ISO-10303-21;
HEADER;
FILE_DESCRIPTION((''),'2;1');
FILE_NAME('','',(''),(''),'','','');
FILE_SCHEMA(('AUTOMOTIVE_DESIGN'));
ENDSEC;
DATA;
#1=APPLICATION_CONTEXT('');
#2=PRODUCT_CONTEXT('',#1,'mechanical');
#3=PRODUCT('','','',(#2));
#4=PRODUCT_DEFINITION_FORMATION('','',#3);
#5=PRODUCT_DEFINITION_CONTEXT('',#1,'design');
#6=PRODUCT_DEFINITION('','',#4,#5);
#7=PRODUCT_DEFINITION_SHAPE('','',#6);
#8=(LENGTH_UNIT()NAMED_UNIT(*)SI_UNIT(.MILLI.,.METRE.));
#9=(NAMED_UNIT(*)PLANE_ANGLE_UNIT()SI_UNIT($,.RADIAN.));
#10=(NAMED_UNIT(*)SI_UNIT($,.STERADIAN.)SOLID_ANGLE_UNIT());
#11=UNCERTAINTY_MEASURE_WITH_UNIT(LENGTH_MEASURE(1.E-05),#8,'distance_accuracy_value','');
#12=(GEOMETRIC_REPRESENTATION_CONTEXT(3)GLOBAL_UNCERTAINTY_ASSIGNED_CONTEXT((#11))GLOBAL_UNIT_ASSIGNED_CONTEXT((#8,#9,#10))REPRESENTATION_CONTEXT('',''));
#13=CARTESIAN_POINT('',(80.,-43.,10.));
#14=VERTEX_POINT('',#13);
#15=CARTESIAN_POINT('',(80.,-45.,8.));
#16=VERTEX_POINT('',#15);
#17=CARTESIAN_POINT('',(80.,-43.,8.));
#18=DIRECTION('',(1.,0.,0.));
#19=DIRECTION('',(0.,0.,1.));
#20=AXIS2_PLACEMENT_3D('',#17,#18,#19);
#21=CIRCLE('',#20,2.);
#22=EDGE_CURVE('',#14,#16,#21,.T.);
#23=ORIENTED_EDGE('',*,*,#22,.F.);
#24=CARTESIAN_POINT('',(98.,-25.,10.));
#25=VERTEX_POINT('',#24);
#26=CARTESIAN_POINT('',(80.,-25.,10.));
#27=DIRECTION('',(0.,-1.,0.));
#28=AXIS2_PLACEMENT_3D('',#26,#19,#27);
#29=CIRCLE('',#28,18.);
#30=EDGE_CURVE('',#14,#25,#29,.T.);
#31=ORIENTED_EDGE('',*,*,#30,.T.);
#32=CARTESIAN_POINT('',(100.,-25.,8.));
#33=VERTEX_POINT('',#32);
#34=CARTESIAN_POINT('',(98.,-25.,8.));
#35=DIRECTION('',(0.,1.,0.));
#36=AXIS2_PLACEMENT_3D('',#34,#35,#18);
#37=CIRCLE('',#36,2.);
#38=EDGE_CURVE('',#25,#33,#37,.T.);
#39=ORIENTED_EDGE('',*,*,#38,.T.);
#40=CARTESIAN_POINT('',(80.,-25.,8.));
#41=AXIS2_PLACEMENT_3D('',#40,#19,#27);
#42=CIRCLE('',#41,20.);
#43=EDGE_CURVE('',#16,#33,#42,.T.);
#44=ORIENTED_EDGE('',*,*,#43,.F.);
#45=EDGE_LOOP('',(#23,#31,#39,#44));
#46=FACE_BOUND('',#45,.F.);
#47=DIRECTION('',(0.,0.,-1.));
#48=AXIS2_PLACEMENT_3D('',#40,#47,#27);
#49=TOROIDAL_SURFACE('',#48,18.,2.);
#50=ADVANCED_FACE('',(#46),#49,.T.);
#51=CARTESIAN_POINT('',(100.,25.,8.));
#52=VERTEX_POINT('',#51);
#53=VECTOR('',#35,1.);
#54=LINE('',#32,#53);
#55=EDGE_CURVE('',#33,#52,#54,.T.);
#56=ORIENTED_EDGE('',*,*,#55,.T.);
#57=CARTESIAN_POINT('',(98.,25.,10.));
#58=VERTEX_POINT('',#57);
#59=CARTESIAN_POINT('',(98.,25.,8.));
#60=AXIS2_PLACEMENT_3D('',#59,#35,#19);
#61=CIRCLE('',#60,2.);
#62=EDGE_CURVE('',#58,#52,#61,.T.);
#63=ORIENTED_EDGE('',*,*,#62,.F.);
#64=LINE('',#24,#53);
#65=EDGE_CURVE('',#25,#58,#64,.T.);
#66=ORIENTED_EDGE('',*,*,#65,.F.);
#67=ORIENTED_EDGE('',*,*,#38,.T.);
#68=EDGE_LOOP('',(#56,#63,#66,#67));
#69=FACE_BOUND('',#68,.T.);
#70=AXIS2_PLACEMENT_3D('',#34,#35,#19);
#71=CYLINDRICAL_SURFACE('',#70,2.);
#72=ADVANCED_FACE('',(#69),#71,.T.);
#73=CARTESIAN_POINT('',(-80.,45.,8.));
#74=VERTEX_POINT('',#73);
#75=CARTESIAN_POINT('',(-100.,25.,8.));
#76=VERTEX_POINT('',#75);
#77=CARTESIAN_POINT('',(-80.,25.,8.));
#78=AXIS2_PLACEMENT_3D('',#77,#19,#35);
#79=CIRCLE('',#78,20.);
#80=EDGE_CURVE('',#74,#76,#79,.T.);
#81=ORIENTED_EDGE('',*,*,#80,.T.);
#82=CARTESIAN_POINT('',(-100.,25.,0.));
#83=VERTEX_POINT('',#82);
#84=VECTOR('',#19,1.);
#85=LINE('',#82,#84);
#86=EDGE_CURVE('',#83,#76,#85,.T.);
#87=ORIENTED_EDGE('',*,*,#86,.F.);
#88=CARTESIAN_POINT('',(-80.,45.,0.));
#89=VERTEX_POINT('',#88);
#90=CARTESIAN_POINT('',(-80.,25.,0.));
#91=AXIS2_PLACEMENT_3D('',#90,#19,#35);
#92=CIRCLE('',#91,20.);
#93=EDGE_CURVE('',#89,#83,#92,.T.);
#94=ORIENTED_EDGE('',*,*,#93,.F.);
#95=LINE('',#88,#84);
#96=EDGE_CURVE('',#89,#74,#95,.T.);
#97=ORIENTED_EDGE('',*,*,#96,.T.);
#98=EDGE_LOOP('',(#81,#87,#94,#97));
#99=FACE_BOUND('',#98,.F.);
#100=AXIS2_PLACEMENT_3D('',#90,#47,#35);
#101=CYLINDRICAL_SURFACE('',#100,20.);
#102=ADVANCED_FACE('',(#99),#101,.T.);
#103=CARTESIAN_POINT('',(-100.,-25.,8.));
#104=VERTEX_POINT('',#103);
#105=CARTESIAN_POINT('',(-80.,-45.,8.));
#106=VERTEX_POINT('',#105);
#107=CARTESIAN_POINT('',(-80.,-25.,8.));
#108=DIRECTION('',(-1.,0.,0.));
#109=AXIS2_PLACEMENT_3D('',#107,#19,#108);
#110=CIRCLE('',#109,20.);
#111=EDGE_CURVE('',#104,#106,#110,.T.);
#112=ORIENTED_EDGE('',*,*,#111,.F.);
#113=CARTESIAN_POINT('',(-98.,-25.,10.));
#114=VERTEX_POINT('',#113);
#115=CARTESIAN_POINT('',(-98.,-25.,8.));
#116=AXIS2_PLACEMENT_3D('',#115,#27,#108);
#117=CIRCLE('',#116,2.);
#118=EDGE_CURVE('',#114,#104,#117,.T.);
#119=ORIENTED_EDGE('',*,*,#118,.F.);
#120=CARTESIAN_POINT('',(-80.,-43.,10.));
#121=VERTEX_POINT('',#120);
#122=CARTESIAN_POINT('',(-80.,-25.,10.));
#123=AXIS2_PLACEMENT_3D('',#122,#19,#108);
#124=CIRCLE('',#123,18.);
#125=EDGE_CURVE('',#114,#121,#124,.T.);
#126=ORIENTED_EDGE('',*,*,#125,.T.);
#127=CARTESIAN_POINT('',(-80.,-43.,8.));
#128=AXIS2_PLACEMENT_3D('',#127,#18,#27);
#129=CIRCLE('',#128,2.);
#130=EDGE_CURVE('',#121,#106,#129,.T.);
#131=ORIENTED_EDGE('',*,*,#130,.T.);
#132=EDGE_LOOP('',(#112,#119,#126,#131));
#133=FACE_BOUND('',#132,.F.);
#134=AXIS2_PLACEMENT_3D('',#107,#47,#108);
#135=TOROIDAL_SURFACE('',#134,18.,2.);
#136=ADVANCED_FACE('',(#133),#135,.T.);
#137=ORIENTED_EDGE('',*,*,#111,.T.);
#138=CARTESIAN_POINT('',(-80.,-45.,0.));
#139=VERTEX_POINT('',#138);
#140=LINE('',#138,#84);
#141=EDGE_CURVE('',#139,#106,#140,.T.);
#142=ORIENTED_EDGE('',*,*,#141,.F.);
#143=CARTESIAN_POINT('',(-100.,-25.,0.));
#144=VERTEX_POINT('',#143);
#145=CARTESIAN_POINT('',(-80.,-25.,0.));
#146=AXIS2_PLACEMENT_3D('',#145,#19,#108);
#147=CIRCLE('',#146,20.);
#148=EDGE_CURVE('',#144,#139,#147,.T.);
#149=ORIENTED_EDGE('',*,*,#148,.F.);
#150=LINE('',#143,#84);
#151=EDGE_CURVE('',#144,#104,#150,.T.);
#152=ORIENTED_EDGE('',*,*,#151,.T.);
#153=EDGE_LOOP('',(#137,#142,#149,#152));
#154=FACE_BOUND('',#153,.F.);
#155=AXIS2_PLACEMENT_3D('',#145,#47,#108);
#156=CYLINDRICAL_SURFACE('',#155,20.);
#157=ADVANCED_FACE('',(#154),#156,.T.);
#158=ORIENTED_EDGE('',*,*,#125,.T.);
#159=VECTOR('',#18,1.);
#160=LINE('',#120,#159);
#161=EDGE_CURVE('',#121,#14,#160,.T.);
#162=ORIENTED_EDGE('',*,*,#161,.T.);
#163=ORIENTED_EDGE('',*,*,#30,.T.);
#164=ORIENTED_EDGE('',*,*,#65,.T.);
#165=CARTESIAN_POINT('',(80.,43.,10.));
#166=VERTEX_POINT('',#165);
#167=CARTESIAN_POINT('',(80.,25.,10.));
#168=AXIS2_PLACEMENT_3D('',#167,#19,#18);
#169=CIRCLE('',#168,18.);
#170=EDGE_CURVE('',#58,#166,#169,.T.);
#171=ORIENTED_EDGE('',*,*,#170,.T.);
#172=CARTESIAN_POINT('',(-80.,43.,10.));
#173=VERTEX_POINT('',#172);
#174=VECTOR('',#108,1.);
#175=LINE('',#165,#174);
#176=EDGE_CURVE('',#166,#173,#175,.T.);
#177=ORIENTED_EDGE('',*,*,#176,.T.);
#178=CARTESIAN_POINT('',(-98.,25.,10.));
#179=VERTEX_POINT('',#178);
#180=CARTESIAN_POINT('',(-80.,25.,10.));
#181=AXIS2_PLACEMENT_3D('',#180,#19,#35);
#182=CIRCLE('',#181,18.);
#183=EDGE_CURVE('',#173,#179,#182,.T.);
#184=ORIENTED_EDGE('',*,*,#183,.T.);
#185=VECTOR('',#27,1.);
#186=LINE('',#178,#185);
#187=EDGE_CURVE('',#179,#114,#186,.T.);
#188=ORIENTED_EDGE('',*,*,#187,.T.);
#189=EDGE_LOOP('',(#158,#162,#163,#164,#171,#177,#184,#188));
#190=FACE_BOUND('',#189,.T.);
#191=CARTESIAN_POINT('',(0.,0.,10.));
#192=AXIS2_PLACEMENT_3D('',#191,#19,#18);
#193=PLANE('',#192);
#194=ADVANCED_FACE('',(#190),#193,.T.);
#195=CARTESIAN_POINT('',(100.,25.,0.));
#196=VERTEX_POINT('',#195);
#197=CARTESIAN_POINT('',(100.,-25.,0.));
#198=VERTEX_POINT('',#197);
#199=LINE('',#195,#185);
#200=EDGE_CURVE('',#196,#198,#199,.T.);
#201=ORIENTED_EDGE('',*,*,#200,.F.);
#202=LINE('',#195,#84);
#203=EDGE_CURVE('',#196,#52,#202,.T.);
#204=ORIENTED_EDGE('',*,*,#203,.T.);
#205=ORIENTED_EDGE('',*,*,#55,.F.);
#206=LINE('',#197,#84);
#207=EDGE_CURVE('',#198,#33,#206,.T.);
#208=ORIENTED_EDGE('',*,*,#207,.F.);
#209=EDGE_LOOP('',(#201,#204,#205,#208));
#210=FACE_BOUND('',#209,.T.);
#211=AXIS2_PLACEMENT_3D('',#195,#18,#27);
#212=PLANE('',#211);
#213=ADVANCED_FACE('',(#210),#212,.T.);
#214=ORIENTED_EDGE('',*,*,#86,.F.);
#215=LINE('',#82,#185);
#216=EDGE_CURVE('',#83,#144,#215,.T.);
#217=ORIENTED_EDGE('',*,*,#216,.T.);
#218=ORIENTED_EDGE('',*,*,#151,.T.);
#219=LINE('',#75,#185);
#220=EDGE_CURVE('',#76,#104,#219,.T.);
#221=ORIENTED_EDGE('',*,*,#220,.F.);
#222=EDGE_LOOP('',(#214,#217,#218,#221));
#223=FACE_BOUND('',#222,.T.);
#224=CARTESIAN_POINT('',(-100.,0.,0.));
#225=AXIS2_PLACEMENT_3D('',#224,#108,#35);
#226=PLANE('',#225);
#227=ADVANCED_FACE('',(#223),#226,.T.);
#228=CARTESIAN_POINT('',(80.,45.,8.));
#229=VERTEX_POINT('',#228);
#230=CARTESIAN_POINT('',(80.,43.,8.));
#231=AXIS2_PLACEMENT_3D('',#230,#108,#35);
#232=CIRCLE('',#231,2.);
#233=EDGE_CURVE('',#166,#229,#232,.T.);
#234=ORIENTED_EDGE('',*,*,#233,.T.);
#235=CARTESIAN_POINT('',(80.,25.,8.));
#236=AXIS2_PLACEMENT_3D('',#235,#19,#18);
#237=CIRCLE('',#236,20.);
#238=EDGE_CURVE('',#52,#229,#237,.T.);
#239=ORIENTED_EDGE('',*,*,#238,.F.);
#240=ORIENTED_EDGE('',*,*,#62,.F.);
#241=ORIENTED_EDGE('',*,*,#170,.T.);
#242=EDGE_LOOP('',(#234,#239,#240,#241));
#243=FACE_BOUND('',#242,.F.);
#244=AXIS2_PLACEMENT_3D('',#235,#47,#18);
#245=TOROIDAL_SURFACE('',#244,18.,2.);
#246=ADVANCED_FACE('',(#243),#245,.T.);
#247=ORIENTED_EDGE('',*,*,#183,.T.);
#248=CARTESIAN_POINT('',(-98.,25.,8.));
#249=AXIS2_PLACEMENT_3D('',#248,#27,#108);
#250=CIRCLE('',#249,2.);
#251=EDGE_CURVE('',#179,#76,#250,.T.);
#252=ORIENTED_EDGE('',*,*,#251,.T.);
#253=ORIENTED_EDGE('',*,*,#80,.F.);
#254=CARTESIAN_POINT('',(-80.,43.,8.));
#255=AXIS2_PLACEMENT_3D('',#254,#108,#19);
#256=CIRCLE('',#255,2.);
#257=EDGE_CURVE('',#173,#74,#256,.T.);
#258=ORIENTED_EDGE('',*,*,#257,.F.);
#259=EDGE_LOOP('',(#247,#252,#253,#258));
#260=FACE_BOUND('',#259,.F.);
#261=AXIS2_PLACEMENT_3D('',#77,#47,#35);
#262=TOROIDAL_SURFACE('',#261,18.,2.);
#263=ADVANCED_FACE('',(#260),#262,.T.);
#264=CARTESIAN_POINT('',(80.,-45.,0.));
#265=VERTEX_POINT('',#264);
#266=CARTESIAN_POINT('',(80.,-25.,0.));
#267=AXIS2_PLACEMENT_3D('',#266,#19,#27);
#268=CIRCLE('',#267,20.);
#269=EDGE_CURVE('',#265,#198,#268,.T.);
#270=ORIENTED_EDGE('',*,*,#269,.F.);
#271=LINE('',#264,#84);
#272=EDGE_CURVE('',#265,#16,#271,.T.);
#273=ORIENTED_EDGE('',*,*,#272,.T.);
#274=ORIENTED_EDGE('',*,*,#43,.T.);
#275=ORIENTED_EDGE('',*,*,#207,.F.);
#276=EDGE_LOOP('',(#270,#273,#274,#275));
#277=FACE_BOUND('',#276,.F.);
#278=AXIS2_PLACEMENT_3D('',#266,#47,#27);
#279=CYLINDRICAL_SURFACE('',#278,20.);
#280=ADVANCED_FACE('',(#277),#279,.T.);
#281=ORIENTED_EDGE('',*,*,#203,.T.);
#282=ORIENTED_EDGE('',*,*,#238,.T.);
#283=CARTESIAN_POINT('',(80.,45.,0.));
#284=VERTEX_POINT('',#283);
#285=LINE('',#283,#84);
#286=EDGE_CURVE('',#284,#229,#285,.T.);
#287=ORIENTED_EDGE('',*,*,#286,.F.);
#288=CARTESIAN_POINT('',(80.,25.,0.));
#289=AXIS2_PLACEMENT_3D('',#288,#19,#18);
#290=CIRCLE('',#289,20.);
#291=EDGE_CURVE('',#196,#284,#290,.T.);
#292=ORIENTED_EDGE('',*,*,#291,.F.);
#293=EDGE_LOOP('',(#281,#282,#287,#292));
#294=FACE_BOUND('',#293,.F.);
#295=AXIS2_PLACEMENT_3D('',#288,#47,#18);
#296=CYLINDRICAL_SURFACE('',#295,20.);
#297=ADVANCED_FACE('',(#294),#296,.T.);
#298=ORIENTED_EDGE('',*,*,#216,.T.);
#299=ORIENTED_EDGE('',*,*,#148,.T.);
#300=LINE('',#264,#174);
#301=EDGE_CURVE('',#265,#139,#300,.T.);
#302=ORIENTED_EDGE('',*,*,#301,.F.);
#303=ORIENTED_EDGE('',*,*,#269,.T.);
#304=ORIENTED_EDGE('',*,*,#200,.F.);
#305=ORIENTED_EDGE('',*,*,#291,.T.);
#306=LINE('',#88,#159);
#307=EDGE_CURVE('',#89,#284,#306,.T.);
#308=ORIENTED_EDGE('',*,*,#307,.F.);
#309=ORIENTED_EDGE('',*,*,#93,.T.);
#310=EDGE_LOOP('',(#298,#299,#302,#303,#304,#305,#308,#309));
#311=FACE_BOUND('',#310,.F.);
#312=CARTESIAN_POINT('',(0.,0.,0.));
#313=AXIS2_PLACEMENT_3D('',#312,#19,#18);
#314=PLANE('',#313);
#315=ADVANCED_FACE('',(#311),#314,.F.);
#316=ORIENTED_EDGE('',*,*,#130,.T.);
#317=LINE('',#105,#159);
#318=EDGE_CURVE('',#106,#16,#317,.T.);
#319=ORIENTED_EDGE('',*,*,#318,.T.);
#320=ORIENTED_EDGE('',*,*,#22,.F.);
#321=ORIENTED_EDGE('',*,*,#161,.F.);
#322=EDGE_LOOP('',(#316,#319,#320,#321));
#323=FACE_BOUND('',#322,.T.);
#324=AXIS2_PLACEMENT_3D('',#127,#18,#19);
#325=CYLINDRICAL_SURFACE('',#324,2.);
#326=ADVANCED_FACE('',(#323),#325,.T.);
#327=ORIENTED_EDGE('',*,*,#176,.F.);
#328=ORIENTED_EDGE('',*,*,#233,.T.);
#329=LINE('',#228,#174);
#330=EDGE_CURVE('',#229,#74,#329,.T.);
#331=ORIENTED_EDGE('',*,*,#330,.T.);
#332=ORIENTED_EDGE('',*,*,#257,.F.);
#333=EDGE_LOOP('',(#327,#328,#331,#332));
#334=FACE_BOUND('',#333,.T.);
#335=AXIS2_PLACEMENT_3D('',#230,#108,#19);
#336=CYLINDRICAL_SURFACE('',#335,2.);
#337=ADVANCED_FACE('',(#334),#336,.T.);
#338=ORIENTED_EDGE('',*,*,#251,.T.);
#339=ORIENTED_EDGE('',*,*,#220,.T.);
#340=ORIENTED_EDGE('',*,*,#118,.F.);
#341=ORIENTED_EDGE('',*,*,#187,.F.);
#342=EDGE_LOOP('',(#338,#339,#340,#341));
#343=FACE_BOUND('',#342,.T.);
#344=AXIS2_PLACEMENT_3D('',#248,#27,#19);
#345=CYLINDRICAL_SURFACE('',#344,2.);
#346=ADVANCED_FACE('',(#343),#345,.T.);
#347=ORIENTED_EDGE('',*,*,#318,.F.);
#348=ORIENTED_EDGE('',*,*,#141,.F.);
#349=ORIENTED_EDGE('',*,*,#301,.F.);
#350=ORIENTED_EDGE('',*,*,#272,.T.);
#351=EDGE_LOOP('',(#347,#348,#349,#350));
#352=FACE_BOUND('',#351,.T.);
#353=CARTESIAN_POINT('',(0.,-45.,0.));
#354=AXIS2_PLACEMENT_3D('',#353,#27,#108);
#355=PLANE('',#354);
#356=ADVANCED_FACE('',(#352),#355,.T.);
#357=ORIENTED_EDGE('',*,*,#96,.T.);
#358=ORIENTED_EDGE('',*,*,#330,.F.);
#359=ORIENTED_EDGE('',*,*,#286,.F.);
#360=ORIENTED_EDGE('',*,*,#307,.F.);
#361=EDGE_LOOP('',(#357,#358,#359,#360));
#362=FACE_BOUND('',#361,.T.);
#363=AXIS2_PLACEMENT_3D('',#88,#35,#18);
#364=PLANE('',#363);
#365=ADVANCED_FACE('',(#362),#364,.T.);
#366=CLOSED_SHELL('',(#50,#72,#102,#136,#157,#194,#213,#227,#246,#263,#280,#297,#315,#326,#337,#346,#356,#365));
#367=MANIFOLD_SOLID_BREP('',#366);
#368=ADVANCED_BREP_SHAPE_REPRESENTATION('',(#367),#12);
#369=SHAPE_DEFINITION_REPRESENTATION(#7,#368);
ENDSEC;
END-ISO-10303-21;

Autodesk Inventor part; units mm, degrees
ref_plane "YZ Plane" through (0, 0, 0) normal (1, 0, 0) x (0, 1, 0)
ref_plane "XZ Plane" through (0, 0, 0) normal (0, 1, 0) x (-1, 0, 0)
ref_plane "XY Plane" through (0, 0, 0) normal (0, 0, 1) x (1, 0, 0)
sketch "Sketch1" plane through (0, 0, 0) normal (0, 0, 1) x (1, 0, 0)
  line L0 (-145.799, 0) -> (145.799, 0) projected
  line L1 (0, -68.799) -> (0, 68.799) projected
  line L2 (-80, 45) -> (80, 45)
  line L3 (100, 25) -> (100, -25)
  line L4 (80, -45) -> (-80, -45)
  line L5 (-100, -25) -> (-100, 25)
  arc A0 (-80, 45) -> (-100, 25) centre (-80, 25) ccw
  arc A1 (100, 25) -> (80, 45) centre (80, 25) ccw
  arc A2 (80, -45) -> (100, -25) centre (80, -25) ccw
  arc A3 (-100, -25) -> (-80, -45) centre (-80, -25) ccw
  point P0 (0, 0)
  point P1 (-100, 45)
  point P2 (100, -45)
  point P3 (-100, -45)
  point P4 (0, 45)
  dimension "d0" = 200
  dimension "d1" = 90
  dimension "d2" = 45
  dimension "d3" = 20
extrude "Extrusion1" add sketch "Sketch1" along normal blind 10
fillet "Fillet1" radius 2 8 edges at (-94.1421, -39.1421, 10) (-100, 0, 10) (-94.1421, 39.1421, 10) (0, 45, 10) (94.1421, 39.1421, 10) (100, 0, 10) (94.1421, -39.1421, 10) (0, -45, 10)
properties part number "Placa"
